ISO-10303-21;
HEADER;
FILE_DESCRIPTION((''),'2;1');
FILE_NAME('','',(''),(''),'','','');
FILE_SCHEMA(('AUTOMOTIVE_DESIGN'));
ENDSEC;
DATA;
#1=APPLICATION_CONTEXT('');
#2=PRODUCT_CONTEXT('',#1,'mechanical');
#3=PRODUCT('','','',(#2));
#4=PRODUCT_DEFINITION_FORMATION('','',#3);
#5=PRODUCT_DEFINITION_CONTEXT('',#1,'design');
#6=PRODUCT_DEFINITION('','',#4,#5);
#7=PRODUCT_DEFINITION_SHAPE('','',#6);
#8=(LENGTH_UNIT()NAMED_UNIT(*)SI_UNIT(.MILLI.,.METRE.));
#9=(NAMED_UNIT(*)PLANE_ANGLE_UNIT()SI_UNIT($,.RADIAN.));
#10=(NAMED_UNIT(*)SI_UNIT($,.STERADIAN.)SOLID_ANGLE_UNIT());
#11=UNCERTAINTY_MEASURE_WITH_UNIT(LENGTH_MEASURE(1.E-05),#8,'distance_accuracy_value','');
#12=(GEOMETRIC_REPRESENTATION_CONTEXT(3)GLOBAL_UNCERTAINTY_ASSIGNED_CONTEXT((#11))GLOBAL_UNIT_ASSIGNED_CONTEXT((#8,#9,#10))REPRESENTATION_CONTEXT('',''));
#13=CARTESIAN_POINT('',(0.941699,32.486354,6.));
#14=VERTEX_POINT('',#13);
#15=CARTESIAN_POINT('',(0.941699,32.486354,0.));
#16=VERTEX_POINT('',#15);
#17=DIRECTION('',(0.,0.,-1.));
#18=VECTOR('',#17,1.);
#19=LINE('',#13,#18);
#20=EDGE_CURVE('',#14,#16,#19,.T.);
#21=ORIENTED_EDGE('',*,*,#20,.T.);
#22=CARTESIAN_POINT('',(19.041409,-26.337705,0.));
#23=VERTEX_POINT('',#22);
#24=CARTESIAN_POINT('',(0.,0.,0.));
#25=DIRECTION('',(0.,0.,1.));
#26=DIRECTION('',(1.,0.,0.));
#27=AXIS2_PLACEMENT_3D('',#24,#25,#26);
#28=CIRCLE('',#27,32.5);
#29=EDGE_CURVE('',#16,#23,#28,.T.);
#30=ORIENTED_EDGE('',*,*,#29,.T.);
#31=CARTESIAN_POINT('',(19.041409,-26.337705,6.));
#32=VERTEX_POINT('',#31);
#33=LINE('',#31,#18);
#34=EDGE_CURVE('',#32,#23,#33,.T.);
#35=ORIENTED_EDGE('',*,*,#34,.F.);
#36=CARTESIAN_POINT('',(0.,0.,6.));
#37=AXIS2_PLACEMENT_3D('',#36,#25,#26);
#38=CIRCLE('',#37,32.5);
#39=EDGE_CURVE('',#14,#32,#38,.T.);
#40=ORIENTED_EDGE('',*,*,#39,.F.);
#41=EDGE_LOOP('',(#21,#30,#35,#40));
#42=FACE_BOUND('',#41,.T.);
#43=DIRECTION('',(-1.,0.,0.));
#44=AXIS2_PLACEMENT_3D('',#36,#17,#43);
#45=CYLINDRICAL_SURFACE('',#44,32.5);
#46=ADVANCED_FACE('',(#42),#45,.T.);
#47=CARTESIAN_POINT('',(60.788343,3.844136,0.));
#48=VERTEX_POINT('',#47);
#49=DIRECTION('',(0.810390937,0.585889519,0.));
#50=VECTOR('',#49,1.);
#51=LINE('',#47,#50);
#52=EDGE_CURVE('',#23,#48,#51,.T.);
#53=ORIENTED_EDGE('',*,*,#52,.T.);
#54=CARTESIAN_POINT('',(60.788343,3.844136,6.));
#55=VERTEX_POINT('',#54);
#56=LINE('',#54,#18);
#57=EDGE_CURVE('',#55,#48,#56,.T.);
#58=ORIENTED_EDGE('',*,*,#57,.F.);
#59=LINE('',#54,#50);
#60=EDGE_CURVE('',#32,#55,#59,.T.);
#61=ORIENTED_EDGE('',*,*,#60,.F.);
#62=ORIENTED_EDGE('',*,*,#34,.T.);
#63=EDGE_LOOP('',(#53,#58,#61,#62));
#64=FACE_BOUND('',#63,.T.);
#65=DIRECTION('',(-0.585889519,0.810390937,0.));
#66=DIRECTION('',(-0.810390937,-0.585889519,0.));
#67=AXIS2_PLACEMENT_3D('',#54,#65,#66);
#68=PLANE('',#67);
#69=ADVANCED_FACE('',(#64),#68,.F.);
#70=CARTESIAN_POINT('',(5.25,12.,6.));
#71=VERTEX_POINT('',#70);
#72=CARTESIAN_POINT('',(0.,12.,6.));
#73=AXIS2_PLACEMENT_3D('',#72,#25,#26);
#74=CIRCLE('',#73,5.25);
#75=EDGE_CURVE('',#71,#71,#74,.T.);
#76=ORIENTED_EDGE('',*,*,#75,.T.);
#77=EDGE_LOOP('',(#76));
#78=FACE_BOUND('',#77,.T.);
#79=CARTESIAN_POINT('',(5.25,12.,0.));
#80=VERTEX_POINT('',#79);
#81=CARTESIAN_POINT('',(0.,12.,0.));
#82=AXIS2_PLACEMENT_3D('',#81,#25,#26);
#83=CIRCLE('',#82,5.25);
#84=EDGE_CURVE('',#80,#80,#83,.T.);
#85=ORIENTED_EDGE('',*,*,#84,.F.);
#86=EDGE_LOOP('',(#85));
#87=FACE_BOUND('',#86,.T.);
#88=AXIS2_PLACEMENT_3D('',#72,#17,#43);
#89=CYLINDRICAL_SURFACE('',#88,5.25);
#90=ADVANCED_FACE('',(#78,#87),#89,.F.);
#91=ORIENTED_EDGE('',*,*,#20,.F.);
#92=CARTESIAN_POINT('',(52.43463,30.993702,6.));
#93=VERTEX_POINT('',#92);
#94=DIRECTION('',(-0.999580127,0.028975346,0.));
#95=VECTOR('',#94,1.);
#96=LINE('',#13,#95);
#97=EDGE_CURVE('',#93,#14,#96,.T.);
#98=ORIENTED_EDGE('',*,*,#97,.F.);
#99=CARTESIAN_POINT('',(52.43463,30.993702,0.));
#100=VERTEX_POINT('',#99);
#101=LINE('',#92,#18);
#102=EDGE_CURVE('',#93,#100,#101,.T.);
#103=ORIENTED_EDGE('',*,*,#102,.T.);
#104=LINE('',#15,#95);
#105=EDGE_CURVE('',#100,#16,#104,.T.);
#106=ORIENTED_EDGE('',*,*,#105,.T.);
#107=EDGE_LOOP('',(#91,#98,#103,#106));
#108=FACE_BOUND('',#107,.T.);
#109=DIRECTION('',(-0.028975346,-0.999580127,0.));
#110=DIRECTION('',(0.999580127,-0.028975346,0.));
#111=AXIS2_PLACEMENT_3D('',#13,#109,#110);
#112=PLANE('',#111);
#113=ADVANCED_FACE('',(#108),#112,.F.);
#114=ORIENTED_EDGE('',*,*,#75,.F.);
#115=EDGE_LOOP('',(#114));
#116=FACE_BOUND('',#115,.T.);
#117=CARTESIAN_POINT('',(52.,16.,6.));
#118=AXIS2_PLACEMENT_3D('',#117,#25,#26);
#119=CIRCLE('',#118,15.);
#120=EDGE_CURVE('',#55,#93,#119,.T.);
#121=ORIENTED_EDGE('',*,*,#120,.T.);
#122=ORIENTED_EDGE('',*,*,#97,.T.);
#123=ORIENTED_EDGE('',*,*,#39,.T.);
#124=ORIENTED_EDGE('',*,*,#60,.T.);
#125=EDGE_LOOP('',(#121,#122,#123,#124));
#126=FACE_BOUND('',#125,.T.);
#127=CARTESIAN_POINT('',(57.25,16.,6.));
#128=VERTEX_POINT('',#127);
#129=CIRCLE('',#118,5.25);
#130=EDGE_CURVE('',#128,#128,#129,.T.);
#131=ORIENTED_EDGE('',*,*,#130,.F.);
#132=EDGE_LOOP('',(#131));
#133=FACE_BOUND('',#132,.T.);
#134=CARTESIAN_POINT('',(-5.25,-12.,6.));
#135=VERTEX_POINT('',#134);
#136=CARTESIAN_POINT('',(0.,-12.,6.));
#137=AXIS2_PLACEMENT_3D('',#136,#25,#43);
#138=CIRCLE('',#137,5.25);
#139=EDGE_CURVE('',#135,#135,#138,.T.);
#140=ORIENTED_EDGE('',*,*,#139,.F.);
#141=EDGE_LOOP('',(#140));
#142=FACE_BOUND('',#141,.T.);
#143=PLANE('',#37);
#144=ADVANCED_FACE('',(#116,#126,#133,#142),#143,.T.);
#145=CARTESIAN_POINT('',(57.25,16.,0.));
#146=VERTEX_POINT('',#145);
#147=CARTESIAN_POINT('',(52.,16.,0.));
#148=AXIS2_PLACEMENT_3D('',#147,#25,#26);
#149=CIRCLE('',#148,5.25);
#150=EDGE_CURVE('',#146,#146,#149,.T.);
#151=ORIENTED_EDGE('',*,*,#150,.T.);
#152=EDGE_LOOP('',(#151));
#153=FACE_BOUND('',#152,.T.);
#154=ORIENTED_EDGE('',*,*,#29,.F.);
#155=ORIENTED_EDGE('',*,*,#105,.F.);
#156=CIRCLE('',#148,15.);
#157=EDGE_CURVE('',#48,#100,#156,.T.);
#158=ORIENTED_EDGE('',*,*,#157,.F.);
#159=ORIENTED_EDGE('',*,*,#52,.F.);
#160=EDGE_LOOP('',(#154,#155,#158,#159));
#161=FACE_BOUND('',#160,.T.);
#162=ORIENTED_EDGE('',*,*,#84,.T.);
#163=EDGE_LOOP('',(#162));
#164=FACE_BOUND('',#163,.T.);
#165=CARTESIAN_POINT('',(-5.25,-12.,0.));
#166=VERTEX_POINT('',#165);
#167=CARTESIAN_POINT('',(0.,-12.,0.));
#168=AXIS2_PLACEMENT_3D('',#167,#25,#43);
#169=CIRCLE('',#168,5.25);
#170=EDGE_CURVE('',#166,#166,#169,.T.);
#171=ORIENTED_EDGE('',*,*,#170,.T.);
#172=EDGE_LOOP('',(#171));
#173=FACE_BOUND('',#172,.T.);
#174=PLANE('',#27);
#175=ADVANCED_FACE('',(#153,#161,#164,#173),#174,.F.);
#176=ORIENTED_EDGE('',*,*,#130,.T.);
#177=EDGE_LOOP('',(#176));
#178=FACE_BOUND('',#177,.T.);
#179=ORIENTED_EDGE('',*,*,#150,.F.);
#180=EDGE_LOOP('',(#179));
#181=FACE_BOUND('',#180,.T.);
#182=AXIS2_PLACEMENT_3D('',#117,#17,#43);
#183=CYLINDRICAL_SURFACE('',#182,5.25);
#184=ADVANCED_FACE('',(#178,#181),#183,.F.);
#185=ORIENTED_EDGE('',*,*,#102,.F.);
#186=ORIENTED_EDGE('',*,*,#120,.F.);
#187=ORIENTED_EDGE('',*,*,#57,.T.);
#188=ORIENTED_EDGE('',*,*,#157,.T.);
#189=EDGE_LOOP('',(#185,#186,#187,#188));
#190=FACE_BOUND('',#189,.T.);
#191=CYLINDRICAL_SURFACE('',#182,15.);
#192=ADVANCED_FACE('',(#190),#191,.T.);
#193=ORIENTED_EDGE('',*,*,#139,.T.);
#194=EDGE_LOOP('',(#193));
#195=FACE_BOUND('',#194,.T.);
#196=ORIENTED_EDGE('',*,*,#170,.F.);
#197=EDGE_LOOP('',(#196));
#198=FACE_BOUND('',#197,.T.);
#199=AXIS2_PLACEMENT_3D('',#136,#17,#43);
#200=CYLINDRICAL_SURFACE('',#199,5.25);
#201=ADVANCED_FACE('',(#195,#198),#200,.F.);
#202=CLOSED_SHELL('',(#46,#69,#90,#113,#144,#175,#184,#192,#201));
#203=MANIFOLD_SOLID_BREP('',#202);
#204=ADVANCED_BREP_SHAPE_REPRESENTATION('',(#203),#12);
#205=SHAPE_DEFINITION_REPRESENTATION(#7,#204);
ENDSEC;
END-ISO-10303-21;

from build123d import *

# Parameters (mm, degrees)
SKETCH1_R      = 5.25
EXTRUDE1_DEPTH = 6


with BuildPart() as part:
    # Sketch1 → Extrude1 (new body)
    with BuildSketch(Plane.XY):
        with BuildLine():
            Line((0.941698735, 32.486354112), (52.434630185, 30.993701898))
            ThreePointArc((52.434630185, 30.993701898), (66.336685131, 20.411287733), (60.788342788, 3.84413594))
            Line((60.788342788, 3.84413594), (19.041409373, -26.337705463))
            ThreePointArc((19.041409373, -26.337705463), (-31.062817783, -9.557790087), (0.941698735, 32.486354112))
        make_face()
        with Locations((0, 12)):
            Circle(SKETCH1_R, mode=Mode.SUBTRACT)
        with Locations((0, -12)):
            Circle(SKETCH1_R, mode=Mode.SUBTRACT)
        with Locations((52, 16)):
            Circle(SKETCH1_R, mode=Mode.SUBTRACT)
    extrude(amount=EXTRUDE1_DEPTH)


solid = part.part
